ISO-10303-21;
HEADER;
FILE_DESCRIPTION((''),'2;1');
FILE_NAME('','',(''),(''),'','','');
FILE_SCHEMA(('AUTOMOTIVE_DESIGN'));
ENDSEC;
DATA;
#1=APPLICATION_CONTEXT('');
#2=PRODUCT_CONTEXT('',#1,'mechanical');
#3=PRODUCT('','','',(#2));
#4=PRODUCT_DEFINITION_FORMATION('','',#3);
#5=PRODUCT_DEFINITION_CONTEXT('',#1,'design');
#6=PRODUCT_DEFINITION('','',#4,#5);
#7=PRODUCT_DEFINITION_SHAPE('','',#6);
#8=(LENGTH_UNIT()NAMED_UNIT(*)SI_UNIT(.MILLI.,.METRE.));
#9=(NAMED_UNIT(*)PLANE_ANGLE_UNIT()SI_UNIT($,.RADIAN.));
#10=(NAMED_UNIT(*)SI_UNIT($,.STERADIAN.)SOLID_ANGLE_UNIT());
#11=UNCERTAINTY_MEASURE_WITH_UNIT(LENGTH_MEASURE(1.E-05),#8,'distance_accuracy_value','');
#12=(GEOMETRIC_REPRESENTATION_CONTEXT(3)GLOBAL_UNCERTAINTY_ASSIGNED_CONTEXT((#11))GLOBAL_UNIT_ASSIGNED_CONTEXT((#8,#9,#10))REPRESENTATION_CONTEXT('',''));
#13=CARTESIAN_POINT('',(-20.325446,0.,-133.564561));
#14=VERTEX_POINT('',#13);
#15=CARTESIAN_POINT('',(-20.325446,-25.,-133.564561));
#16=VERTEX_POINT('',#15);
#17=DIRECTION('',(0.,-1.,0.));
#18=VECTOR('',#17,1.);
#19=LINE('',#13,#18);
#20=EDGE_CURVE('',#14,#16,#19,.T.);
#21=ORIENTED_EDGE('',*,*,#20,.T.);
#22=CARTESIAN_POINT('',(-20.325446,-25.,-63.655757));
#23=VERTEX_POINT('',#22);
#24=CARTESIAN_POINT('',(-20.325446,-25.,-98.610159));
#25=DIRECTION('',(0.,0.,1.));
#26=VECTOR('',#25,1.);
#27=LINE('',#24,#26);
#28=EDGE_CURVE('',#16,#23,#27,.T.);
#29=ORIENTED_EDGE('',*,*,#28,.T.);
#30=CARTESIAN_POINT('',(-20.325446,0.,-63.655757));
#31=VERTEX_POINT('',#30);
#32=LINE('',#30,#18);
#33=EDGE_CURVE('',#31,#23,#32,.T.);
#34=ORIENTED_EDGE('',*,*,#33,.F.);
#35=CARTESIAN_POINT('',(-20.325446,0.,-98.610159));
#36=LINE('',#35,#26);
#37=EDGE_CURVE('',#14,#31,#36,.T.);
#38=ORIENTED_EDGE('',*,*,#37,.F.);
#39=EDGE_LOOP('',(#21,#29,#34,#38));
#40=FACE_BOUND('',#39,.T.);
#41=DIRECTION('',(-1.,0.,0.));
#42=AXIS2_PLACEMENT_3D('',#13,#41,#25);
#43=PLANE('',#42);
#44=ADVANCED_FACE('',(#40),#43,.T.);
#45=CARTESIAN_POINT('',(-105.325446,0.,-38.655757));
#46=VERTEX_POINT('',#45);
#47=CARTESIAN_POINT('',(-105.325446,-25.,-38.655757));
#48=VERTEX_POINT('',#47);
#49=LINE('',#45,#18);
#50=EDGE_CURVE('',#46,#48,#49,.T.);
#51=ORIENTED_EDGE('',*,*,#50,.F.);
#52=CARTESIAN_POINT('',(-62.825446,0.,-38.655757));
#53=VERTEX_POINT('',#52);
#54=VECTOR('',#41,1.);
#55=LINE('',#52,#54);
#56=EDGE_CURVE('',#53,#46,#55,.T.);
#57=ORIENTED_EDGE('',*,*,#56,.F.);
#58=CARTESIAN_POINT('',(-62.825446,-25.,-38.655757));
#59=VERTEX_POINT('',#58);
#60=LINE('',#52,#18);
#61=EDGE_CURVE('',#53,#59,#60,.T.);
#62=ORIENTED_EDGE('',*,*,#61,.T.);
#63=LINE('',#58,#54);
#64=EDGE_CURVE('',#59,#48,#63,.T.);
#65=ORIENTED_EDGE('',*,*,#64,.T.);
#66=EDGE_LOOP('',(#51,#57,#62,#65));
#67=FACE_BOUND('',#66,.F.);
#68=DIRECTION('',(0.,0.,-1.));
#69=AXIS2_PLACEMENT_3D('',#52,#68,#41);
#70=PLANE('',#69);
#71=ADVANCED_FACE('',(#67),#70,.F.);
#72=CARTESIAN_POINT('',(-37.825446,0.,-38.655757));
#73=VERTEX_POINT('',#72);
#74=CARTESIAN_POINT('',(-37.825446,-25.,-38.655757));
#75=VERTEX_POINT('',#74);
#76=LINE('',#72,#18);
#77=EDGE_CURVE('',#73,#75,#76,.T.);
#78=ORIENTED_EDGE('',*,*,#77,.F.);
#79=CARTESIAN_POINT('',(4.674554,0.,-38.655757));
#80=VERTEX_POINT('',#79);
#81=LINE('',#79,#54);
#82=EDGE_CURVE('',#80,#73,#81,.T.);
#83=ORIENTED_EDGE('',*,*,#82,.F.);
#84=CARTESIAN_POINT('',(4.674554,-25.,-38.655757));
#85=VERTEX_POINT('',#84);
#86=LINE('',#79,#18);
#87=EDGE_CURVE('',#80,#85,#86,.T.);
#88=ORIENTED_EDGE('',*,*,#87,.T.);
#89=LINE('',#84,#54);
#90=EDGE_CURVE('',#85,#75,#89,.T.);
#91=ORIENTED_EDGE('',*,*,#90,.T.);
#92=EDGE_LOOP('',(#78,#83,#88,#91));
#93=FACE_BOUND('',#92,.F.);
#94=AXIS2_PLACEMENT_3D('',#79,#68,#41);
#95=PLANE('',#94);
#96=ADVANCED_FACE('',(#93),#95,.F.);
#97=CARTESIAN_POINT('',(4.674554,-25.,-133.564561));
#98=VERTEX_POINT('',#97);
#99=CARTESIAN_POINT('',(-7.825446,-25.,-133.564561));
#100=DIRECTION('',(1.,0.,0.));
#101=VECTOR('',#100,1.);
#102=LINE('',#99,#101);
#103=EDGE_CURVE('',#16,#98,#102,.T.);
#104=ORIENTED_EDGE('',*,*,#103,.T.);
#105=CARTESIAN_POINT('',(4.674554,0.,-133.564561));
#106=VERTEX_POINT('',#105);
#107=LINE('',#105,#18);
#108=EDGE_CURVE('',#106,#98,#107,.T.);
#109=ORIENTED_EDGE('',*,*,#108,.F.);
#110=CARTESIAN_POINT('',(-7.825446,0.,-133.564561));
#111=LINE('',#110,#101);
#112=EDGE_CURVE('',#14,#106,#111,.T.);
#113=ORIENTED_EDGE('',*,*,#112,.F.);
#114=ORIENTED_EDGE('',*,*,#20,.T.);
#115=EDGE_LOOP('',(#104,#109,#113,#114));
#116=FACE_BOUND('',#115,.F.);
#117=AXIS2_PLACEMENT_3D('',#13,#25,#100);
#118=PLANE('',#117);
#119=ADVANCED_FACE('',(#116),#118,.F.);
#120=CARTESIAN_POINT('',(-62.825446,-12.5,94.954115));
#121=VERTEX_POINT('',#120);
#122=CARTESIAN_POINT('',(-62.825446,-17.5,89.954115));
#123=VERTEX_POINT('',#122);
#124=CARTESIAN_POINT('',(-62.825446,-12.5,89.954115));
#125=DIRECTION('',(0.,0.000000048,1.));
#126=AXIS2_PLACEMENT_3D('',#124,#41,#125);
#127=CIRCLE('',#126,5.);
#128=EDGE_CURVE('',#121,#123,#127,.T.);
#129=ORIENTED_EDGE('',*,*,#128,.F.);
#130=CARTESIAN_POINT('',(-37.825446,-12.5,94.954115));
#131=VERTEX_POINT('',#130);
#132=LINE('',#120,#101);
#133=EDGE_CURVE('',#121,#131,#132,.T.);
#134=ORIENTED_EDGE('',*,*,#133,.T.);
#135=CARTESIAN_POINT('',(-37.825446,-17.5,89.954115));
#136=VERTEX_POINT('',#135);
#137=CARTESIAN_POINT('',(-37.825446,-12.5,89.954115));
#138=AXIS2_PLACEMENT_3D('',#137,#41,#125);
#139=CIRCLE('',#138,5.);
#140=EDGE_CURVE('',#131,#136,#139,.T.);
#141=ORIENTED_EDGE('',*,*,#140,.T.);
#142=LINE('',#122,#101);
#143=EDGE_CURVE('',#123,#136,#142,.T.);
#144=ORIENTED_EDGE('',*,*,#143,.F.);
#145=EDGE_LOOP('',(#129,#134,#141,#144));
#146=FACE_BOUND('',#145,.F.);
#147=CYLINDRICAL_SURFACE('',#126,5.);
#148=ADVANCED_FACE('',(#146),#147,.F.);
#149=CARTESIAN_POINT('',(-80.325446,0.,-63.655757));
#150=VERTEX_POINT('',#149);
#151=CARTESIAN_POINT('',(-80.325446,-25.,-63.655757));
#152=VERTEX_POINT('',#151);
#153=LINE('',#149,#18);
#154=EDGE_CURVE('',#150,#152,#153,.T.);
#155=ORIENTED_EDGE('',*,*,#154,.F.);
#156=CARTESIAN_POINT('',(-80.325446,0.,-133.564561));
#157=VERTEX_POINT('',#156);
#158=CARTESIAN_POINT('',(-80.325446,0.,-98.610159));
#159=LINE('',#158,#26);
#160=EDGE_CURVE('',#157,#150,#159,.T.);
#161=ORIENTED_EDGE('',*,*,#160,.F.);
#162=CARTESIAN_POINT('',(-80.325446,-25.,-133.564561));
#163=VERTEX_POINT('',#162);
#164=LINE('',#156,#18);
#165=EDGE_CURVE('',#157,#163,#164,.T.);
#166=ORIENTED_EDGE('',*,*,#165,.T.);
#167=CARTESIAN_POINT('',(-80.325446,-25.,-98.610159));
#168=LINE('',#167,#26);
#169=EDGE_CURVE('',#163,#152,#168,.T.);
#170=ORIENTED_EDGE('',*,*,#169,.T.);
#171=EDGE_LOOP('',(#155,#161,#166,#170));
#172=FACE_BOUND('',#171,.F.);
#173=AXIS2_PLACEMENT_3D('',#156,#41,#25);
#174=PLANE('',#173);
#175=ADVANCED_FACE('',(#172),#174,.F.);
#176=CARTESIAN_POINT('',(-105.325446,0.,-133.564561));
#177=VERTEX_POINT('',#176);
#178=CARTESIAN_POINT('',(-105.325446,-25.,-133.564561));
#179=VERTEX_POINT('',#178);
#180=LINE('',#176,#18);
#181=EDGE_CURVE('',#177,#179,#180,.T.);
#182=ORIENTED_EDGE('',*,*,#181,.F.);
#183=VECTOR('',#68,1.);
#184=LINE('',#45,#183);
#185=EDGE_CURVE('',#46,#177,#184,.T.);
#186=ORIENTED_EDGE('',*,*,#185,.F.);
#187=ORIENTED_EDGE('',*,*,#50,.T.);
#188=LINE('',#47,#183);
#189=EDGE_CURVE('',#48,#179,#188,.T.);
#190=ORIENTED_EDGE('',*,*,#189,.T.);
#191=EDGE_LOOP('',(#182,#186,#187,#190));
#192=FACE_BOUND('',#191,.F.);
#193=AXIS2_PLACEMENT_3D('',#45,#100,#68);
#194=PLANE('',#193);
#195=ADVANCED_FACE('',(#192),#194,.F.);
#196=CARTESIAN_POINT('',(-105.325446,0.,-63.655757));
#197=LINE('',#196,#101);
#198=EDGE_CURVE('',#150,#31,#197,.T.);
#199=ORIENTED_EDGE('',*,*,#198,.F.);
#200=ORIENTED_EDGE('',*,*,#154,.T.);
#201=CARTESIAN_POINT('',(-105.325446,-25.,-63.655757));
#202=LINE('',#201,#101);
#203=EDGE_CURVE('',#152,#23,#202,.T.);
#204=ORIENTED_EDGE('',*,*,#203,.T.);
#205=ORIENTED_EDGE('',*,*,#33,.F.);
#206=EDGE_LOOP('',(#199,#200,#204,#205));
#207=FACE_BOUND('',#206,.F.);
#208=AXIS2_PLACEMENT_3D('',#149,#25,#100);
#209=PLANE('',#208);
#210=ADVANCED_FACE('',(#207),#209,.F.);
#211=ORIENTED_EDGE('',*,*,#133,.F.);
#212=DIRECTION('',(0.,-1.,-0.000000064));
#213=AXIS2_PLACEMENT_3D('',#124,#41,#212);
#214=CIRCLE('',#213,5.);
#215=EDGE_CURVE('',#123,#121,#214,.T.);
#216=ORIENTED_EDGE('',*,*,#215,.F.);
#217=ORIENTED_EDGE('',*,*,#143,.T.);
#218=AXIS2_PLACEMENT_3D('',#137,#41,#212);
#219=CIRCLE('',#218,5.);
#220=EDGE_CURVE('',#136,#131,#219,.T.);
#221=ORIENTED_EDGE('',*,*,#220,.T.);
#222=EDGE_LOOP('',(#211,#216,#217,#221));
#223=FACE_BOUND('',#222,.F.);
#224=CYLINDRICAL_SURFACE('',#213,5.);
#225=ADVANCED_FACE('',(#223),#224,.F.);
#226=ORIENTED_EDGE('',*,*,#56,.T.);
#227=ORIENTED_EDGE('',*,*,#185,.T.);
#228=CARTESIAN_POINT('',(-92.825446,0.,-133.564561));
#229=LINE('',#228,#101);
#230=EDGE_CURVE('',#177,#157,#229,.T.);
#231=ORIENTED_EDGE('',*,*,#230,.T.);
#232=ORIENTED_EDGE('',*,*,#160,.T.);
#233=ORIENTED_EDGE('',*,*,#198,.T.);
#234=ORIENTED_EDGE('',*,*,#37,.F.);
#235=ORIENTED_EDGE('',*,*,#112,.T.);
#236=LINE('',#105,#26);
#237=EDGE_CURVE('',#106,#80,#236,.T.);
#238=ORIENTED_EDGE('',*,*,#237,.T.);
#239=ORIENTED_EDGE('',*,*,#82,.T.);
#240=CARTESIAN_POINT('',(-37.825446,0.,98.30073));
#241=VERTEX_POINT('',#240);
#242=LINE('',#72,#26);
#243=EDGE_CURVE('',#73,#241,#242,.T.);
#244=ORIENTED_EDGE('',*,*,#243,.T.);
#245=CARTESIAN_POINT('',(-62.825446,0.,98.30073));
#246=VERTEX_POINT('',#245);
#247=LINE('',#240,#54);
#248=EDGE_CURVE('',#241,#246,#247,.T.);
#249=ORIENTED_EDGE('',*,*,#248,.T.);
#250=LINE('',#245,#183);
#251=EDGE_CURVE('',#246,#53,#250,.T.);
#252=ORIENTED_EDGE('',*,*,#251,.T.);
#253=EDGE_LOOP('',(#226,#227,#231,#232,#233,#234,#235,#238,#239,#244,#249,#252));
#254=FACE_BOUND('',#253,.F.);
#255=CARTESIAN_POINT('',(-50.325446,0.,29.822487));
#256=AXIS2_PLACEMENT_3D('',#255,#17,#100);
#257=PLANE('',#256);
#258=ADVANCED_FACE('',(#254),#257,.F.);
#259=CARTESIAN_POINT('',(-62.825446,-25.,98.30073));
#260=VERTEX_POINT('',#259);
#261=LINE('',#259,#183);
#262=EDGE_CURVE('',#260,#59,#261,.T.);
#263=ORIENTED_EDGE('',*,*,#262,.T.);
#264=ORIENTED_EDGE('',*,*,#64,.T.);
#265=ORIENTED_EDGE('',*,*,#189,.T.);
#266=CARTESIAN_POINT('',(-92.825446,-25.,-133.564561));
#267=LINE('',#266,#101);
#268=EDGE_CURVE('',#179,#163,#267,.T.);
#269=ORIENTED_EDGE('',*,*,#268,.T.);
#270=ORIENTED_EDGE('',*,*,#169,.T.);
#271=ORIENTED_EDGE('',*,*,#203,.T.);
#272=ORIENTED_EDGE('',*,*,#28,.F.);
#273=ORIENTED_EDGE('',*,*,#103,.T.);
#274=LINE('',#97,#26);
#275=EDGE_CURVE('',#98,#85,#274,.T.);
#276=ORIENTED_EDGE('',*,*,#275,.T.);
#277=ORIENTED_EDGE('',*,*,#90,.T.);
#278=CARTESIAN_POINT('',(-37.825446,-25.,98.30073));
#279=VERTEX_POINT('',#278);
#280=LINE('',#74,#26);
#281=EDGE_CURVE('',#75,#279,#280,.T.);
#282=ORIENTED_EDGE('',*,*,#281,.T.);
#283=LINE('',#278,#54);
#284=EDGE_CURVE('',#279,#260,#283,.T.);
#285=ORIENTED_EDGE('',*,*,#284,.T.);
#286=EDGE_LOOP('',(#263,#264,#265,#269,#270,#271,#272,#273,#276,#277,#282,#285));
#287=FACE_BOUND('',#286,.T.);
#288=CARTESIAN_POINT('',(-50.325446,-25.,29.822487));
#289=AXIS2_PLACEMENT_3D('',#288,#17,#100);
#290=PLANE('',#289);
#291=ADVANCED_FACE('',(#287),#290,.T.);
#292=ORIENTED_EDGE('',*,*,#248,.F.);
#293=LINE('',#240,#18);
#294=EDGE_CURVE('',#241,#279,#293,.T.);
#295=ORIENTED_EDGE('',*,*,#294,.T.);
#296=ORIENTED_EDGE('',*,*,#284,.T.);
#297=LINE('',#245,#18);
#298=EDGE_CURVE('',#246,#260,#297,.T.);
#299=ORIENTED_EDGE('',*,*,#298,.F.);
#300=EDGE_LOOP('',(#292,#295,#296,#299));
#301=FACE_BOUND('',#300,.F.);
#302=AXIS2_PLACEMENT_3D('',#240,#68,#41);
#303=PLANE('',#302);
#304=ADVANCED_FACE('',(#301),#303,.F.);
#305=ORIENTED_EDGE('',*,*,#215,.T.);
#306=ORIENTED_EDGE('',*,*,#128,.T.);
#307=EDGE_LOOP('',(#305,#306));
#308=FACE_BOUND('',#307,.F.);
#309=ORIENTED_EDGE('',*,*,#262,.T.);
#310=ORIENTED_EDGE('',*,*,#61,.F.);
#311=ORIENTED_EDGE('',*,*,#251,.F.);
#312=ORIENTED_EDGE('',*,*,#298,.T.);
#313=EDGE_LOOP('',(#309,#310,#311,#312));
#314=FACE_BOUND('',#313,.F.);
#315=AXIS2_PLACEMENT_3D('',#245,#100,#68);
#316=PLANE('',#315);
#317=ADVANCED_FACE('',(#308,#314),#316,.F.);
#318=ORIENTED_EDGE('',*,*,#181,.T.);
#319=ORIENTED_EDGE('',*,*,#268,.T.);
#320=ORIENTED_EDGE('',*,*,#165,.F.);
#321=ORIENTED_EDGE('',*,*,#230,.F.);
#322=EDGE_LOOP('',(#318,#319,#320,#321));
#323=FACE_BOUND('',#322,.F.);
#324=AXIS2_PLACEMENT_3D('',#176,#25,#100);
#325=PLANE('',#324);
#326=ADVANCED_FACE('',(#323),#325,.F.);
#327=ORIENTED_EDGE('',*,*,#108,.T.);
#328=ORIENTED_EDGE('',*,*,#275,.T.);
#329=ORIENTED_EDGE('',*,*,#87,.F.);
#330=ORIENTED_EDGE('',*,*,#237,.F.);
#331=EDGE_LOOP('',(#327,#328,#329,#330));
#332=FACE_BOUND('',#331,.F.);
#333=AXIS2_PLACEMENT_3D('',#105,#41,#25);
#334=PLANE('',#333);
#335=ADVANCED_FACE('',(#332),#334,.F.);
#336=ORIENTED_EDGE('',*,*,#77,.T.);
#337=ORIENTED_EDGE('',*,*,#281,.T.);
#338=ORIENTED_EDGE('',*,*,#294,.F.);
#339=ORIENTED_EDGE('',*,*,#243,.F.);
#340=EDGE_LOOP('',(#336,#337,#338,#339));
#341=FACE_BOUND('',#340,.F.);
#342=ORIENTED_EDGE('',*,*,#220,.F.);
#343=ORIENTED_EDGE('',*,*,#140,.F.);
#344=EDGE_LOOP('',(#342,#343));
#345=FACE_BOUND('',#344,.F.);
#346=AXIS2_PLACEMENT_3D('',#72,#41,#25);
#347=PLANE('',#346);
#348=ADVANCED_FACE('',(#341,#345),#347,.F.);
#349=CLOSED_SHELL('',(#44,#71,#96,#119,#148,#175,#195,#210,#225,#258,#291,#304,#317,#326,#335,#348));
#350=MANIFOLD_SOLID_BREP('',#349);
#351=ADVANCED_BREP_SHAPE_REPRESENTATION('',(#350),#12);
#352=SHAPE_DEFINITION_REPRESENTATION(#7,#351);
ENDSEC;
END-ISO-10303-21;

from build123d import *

# Parameters (mm, degrees)
F0_W     = 25
F0_H     = 69.908805
F1_DEPTH = 25
F3_DEPTH = 50


with BuildPart() as f1:
    # F0 (on Front) → F1 (new body)
    with BuildSketch(Plane.XZ):
        Polygon((-37.825446, 98.30073), (-62.825446, 98.30073), (-62.825446, -38.655757), (-50.325446, -38.655757), (-37.825446, -38.655757), align=None)
        Polygon((-50.325446, -38.655757), (-62.825446, -38.655757), (-105.325446, -38.655757), (-105.325446, -63.655757), (-80.325446, -63.655757), (-20.325446, -63.655757), (4.674554, -63.655757), (4.674554, -38.655757), (-37.825446, -38.655757), align=None)
        with Locations((-92.825446, -98.610159)):
            Rectangle(F0_W, F0_H)
        with Locations((-7.825446, -98.610159)):
            Rectangle(F0_W, F0_H)
    extrude(amount=F1_DEPTH)

    # F2 (on face) → F3 (cut)
    with BuildSketch(Plane(origin=(-62.825446, 0, 0), x_dir=(0, -1, 0), z_dir=(-1, 0, 0))):
        with BuildLine():
            ThreePointArc((12.5, 94.954115), (8.964466, 86.418582), (17.5, 89.954115))
            ThreePointArc((17.5, 89.954115), (16.035534, 93.489649), (12.5, 94.954115))
        make_face()
    extrude(amount=-F3_DEPTH, mode=Mode.SUBTRACT)


solid = f1.part
